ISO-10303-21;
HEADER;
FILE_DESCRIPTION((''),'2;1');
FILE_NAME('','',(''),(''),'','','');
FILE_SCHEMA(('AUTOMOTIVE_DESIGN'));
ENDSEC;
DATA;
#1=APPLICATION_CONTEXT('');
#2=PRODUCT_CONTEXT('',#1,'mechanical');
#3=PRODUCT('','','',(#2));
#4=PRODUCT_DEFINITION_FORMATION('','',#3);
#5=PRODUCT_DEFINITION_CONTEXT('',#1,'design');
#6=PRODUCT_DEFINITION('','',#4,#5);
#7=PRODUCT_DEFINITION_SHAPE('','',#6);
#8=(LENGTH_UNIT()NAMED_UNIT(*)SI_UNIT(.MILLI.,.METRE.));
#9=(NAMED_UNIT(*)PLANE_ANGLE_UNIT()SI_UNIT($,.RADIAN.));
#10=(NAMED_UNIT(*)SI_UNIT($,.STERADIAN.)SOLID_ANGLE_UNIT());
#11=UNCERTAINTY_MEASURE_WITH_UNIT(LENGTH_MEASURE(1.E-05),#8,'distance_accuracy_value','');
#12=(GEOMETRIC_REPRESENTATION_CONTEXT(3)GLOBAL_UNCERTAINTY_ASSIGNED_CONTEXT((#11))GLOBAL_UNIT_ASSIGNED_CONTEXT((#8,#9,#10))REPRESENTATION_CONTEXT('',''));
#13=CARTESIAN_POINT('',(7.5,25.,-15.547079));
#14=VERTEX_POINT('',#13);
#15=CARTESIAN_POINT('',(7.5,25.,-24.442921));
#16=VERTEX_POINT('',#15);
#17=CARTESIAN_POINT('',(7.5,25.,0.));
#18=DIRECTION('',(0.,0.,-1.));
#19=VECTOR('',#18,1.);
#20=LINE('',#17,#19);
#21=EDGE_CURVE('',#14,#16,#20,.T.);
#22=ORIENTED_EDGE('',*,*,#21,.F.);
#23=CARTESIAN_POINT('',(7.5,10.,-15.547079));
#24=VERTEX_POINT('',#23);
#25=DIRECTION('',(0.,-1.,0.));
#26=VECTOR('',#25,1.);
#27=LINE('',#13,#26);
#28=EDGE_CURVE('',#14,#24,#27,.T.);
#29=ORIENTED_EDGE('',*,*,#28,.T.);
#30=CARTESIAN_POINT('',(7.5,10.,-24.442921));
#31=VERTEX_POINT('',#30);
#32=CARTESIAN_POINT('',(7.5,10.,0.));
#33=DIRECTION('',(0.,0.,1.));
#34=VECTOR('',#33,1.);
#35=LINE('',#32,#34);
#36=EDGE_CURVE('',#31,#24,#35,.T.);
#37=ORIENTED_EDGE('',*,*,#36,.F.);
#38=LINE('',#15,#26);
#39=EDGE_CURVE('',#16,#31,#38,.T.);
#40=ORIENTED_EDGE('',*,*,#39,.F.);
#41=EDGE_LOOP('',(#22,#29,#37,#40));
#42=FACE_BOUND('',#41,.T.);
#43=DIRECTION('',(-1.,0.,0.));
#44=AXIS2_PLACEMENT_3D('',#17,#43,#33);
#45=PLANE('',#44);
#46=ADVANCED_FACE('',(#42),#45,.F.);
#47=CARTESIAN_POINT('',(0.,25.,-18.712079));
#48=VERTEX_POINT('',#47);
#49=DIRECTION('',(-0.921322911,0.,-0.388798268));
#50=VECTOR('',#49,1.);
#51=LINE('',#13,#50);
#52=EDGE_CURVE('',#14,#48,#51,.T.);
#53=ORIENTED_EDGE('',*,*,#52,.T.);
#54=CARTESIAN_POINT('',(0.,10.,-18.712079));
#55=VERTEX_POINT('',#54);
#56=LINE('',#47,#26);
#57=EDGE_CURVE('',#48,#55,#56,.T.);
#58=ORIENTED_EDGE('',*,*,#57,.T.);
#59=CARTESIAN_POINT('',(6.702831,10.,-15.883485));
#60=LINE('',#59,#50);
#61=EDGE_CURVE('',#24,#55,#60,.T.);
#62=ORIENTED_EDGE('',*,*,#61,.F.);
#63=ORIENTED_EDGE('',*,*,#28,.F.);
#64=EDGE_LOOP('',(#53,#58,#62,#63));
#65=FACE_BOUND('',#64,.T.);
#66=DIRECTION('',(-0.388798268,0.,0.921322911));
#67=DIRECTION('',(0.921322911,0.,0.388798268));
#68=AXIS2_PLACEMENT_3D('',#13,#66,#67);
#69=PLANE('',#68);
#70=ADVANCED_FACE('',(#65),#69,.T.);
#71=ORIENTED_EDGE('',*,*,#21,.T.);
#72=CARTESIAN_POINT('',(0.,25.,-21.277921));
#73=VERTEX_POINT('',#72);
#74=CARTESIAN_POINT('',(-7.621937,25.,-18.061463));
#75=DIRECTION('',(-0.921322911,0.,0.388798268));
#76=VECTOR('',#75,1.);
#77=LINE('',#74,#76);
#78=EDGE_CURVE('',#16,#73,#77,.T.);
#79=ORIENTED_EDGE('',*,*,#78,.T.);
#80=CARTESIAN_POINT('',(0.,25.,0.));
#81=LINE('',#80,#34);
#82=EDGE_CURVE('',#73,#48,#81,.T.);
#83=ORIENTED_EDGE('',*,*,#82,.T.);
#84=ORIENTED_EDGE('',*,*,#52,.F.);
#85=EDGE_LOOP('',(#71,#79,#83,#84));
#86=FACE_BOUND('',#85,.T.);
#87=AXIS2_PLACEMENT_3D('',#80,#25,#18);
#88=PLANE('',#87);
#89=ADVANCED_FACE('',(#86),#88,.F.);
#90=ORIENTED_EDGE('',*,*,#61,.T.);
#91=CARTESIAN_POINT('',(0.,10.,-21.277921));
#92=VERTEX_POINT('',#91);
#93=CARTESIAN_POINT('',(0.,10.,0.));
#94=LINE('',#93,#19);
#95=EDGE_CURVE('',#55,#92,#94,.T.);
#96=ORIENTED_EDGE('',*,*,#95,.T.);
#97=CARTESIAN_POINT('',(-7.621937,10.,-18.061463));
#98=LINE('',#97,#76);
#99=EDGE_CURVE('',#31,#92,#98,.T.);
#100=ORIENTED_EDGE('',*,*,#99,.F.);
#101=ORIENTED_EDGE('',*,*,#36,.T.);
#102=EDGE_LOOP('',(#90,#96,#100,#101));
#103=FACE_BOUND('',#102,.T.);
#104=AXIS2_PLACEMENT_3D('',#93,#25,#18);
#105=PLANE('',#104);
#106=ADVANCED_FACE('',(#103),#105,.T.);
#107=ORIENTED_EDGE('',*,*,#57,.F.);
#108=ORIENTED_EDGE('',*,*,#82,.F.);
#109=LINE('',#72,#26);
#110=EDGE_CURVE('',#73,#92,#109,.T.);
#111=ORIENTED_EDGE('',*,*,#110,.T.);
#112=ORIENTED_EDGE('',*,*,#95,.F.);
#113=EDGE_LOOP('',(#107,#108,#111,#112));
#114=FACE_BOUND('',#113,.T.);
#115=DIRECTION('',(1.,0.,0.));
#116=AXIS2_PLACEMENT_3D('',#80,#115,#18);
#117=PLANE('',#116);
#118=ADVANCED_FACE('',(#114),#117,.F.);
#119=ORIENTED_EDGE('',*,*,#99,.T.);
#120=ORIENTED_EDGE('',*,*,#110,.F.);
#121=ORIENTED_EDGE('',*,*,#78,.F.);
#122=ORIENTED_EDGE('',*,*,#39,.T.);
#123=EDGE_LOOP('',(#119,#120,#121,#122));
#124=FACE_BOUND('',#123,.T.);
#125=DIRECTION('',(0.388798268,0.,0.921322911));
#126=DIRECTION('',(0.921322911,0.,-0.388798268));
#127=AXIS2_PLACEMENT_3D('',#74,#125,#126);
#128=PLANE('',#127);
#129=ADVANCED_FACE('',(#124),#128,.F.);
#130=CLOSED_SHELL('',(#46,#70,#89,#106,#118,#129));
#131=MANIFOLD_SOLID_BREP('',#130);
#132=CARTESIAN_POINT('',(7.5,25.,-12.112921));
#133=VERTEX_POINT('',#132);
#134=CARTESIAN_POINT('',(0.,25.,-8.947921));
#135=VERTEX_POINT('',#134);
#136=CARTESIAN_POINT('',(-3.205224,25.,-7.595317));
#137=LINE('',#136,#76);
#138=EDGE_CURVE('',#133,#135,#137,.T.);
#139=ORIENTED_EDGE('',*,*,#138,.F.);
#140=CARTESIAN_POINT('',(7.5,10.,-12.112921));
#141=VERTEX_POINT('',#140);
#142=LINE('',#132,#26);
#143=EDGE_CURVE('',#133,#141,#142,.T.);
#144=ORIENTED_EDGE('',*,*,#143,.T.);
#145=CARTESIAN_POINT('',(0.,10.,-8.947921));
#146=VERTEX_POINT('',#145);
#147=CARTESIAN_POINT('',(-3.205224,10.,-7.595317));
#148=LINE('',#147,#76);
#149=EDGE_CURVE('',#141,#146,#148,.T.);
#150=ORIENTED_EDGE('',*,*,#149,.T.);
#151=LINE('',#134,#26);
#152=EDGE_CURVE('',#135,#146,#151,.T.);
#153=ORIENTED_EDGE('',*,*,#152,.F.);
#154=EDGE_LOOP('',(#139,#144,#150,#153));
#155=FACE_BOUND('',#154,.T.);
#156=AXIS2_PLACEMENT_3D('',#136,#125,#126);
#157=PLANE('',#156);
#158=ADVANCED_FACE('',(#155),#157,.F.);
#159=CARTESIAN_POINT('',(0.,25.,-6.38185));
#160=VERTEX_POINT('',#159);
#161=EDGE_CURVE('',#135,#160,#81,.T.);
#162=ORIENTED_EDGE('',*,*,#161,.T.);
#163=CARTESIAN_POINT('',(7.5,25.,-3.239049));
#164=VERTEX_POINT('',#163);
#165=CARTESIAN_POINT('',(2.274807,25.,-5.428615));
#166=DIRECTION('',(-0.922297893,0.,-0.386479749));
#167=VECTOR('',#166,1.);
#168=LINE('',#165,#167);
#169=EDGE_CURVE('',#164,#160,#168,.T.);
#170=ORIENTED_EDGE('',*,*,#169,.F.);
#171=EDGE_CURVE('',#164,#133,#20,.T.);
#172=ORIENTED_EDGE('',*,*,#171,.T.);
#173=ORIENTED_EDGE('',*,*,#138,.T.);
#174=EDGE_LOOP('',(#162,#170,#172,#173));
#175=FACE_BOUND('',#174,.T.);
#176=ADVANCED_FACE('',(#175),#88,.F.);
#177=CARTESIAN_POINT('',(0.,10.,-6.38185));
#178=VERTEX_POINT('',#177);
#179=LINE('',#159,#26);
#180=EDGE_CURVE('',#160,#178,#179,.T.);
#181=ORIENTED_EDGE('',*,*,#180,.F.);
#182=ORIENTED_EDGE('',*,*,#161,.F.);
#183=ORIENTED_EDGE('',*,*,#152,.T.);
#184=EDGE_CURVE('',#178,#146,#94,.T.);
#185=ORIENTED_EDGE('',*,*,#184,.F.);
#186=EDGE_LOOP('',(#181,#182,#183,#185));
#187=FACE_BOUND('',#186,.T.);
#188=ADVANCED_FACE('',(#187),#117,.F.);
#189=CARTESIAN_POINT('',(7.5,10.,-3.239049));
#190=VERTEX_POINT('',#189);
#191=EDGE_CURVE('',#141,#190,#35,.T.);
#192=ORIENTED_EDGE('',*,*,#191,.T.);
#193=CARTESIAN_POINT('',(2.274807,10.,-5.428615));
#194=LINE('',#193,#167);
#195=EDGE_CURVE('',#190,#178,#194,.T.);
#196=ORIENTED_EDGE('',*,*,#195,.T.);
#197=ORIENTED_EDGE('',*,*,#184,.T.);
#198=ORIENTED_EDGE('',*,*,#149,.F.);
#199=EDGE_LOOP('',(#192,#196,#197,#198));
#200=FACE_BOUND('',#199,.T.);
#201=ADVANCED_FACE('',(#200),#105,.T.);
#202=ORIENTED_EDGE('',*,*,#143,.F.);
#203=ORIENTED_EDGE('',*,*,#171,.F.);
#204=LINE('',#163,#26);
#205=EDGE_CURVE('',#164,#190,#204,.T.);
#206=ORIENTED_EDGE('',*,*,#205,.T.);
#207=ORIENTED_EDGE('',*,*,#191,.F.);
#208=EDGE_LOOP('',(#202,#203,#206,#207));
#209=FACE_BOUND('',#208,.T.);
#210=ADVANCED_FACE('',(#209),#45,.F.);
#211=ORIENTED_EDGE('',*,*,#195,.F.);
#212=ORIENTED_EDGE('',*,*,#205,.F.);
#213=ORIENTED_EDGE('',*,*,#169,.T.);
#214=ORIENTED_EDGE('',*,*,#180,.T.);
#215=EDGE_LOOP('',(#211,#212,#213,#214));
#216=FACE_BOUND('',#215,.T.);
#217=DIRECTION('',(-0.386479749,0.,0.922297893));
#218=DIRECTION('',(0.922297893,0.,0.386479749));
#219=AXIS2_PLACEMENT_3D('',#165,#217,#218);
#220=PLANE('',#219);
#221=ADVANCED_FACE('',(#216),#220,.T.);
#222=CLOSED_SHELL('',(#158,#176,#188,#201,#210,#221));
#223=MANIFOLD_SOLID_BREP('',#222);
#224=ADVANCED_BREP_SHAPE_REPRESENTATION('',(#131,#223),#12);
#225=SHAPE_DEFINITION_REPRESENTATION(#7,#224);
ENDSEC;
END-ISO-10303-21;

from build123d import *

# Parameters (mm, degrees)
SKETCH1_W               = 7.5
SKETCH1_H               = 27.66
BOSS_EXTRUDE1_DEPTH     = 25
SKETCH2_W               = 7.5
SKETCH2_H               = 27.66
CUT_EXTRUDE1_DEPTH      = 10
CUT_EXTRUDE2_DEPTH      = 1
CUT_EXTRUDE2_DEPTH_BACK = 16
CUT_EXTRUDE3_DEPTH      = 1
CUT_EXTRUDE3_DEPTH_BACK = 16


with BuildPart() as part:
    # Sketch1 → Boss-Extrude1 (new body)
    with BuildSketch(Plane(origin=(0, 0, 0), x_dir=(1, 0, 0), z_dir=(0, 1, 0))):
        with Locations((3.75, 13.83)):
            Rectangle(SKETCH1_W, SKETCH1_H)
    extrude(amount=BOSS_EXTRUDE1_DEPTH)

    # Sketch2 → Cut-Extrude1 (cut)
    with BuildSketch(Plane.XZ):
        with Locations((3.75, -13.83)):
            Rectangle(SKETCH2_W, SKETCH2_H)
    extrude(amount=-CUT_EXTRUDE1_DEPTH, mode=Mode.SUBTRACT)

    # Sketch3 → Cut-Extrude2 (cut, two sides)
    with BuildSketch(Plane.XZ.offset(-10)) as cut_extrude2_sk:
        Polygon((0, -5.948150323), (0, -6.381849677), (7.5, -3.239049355), (7.5, -2.805350002), align=None)
        Polygon((7.5, -12.112920844), (0, -8.947920844), (0, -9.382079156), (7.5, -12.547079156), align=None)
        Polygon((0, -17.626683376), (0, -18.712079156), (7.5, -15.547079156), (7.5, -14.461683376), align=None)
        Polygon((7.5, -24.442920844), (0, -21.277920844), (0, -21.712079156), (7.5, -24.877079156), align=None)
    extrude(amount=CUT_EXTRUDE2_DEPTH, mode=Mode.SUBTRACT)
    extrude(cut_extrude2_sk.sketch, amount=-CUT_EXTRUDE2_DEPTH_BACK, mode=Mode.SUBTRACT)

    # Sketch4 → Cut-Extrude3 (cut, two sides)
    with BuildSketch(Plane.XZ.offset(-10)) as cut_extrude3_sk:
        Polygon((0, 0), (7.5, 0), (7.5, -2.805350002), (0, -5.948150323), align=None)
        Polygon((0, -9.382079156), (7.5, -12.547079156), (7.5, -14.78730211), (0, -17.626683376), align=None)
        Polygon((0, -21.712079156), (7.5, -24.877079156), (7.5, -27.66), (0, -27.66), align=None)
    extrude(amount=CUT_EXTRUDE3_DEPTH, mode=Mode.SUBTRACT)
    extrude(cut_extrude3_sk.sketch, amount=-CUT_EXTRUDE3_DEPTH_BACK, mode=Mode.SUBTRACT)


solid = part.part
